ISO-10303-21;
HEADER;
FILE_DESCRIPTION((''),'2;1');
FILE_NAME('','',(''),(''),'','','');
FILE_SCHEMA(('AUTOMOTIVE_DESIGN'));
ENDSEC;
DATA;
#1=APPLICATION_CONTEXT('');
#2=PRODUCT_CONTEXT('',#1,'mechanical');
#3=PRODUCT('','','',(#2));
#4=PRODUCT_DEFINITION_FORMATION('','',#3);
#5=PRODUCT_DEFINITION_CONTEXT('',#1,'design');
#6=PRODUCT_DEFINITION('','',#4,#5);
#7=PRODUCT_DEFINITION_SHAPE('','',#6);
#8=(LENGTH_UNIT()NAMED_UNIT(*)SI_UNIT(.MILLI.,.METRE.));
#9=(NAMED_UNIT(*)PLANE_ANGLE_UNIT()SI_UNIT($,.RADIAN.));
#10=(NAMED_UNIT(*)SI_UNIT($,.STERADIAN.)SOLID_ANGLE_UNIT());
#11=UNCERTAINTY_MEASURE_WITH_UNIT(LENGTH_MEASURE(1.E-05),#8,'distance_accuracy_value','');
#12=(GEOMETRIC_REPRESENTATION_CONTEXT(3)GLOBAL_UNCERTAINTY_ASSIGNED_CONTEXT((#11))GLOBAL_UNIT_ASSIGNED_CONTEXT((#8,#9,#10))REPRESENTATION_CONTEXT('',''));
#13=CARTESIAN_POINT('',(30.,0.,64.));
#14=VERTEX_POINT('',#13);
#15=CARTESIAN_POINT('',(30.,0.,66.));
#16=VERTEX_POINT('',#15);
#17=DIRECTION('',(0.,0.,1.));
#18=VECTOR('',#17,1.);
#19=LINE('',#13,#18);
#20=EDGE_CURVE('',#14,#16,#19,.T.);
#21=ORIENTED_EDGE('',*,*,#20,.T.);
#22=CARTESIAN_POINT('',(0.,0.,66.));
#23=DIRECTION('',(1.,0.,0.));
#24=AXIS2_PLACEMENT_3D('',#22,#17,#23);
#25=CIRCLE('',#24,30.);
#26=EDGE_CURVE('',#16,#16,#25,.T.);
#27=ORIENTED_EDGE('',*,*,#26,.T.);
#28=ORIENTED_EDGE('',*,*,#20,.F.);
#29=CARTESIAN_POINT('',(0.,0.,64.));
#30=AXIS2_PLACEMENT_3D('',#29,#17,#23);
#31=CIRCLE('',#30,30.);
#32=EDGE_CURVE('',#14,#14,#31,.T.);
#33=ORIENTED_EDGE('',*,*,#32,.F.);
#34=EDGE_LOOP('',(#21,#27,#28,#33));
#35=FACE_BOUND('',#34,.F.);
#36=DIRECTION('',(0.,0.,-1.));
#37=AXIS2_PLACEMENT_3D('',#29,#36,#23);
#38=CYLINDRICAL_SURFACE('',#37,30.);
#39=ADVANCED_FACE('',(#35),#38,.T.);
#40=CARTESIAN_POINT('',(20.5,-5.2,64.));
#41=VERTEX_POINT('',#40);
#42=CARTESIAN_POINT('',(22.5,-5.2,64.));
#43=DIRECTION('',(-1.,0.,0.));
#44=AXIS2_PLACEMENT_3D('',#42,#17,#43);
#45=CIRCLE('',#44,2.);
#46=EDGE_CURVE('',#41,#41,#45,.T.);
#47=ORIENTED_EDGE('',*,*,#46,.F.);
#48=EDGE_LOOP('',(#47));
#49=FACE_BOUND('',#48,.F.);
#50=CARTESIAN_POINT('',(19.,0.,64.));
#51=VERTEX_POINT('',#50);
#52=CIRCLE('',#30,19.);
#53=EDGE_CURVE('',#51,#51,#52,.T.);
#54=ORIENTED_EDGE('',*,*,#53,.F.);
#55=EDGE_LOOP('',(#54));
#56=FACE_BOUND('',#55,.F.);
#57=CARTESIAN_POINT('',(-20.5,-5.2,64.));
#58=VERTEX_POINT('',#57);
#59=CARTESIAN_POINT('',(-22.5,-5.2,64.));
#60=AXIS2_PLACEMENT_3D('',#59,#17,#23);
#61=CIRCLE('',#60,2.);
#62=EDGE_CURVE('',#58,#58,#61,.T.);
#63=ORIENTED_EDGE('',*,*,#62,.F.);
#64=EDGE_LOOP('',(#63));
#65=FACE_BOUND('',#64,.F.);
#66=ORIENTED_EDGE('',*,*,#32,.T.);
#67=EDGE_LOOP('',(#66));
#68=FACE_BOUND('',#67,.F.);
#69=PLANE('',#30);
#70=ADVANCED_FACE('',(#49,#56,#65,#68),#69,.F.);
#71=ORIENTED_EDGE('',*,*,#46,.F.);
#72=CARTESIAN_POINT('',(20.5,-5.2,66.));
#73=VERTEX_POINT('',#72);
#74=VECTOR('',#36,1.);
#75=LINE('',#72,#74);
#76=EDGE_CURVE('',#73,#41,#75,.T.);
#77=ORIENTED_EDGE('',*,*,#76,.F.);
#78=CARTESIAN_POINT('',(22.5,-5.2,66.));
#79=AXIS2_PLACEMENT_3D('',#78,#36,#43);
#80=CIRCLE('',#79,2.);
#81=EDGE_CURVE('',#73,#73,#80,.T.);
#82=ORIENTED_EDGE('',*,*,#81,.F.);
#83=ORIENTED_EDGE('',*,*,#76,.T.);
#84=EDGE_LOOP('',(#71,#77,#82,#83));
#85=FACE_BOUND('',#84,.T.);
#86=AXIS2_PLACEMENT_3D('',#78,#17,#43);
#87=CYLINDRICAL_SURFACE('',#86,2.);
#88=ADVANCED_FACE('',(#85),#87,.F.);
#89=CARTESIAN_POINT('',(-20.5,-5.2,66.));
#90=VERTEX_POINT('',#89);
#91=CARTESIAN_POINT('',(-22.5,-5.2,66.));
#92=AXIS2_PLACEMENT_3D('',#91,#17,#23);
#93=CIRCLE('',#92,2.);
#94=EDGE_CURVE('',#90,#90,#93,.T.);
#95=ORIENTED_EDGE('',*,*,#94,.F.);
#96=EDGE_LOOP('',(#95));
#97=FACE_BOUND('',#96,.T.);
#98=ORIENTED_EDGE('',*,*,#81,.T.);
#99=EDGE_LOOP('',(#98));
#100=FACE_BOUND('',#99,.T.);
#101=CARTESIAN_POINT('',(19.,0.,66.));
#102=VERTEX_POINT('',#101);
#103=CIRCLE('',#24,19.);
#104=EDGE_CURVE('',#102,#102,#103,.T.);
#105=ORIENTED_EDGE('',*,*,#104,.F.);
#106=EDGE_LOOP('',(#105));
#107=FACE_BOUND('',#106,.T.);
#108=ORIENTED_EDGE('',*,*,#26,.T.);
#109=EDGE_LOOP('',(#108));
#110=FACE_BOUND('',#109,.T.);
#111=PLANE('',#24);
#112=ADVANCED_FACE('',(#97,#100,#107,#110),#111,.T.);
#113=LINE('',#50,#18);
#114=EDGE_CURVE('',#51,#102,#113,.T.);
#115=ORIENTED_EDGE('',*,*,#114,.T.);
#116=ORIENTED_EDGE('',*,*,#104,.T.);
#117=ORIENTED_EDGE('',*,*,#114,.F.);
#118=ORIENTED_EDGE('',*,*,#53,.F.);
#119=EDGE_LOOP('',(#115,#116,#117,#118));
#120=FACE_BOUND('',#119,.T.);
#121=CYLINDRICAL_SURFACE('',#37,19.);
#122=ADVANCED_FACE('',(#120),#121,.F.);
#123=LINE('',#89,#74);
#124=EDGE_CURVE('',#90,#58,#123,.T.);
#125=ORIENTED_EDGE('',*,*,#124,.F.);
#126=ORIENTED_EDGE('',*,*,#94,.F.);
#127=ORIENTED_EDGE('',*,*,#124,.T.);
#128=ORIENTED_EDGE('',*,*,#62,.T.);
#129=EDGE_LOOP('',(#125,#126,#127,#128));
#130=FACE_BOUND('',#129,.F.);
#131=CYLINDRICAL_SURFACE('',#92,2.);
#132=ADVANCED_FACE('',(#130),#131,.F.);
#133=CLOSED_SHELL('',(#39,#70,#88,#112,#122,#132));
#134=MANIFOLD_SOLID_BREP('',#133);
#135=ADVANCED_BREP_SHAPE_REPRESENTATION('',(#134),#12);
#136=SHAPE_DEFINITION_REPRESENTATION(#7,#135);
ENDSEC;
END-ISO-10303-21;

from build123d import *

# Parameters (mm, degrees)
SKETCH023_R     = 30
SKETCH023_R_2   = 19
PAD007_DEPTH    = 2
SKETCH125_R     = 2
POCKET053_DEPTH = 171.753761


with BuildPart() as part:
    # Sketch023 → Pad007 (new body)
    with BuildSketch(Plane.XY):
        Circle(SKETCH023_R)
        Circle(SKETCH023_R_2, mode=Mode.SUBTRACT)
    extrude(amount=PAD007_DEPTH)

    # Sketch125 → Pocket053 (cut, through all)
    with BuildSketch(Plane.XY.offset(2)):
        with Locations((-22.5, -5.2)):
            Circle(SKETCH125_R)
    pocket053 = extrude(amount=-POCKET053_DEPTH, mode=Mode.SUBTRACT)

    # Mirrored: Pocket053 across Sketch125 V_Axis
    add(pocket053.mirror(Plane(origin=(0, 0, 2), x_dir=(0, 0, 1), z_dir=(1, 0, 0))), mode=Mode.SUBTRACT)


with BuildPart() as part_1:
    # Body007 placement: moved
    add(part.part.moved(Location((0, 0, 64))))


solid = part_1.part
